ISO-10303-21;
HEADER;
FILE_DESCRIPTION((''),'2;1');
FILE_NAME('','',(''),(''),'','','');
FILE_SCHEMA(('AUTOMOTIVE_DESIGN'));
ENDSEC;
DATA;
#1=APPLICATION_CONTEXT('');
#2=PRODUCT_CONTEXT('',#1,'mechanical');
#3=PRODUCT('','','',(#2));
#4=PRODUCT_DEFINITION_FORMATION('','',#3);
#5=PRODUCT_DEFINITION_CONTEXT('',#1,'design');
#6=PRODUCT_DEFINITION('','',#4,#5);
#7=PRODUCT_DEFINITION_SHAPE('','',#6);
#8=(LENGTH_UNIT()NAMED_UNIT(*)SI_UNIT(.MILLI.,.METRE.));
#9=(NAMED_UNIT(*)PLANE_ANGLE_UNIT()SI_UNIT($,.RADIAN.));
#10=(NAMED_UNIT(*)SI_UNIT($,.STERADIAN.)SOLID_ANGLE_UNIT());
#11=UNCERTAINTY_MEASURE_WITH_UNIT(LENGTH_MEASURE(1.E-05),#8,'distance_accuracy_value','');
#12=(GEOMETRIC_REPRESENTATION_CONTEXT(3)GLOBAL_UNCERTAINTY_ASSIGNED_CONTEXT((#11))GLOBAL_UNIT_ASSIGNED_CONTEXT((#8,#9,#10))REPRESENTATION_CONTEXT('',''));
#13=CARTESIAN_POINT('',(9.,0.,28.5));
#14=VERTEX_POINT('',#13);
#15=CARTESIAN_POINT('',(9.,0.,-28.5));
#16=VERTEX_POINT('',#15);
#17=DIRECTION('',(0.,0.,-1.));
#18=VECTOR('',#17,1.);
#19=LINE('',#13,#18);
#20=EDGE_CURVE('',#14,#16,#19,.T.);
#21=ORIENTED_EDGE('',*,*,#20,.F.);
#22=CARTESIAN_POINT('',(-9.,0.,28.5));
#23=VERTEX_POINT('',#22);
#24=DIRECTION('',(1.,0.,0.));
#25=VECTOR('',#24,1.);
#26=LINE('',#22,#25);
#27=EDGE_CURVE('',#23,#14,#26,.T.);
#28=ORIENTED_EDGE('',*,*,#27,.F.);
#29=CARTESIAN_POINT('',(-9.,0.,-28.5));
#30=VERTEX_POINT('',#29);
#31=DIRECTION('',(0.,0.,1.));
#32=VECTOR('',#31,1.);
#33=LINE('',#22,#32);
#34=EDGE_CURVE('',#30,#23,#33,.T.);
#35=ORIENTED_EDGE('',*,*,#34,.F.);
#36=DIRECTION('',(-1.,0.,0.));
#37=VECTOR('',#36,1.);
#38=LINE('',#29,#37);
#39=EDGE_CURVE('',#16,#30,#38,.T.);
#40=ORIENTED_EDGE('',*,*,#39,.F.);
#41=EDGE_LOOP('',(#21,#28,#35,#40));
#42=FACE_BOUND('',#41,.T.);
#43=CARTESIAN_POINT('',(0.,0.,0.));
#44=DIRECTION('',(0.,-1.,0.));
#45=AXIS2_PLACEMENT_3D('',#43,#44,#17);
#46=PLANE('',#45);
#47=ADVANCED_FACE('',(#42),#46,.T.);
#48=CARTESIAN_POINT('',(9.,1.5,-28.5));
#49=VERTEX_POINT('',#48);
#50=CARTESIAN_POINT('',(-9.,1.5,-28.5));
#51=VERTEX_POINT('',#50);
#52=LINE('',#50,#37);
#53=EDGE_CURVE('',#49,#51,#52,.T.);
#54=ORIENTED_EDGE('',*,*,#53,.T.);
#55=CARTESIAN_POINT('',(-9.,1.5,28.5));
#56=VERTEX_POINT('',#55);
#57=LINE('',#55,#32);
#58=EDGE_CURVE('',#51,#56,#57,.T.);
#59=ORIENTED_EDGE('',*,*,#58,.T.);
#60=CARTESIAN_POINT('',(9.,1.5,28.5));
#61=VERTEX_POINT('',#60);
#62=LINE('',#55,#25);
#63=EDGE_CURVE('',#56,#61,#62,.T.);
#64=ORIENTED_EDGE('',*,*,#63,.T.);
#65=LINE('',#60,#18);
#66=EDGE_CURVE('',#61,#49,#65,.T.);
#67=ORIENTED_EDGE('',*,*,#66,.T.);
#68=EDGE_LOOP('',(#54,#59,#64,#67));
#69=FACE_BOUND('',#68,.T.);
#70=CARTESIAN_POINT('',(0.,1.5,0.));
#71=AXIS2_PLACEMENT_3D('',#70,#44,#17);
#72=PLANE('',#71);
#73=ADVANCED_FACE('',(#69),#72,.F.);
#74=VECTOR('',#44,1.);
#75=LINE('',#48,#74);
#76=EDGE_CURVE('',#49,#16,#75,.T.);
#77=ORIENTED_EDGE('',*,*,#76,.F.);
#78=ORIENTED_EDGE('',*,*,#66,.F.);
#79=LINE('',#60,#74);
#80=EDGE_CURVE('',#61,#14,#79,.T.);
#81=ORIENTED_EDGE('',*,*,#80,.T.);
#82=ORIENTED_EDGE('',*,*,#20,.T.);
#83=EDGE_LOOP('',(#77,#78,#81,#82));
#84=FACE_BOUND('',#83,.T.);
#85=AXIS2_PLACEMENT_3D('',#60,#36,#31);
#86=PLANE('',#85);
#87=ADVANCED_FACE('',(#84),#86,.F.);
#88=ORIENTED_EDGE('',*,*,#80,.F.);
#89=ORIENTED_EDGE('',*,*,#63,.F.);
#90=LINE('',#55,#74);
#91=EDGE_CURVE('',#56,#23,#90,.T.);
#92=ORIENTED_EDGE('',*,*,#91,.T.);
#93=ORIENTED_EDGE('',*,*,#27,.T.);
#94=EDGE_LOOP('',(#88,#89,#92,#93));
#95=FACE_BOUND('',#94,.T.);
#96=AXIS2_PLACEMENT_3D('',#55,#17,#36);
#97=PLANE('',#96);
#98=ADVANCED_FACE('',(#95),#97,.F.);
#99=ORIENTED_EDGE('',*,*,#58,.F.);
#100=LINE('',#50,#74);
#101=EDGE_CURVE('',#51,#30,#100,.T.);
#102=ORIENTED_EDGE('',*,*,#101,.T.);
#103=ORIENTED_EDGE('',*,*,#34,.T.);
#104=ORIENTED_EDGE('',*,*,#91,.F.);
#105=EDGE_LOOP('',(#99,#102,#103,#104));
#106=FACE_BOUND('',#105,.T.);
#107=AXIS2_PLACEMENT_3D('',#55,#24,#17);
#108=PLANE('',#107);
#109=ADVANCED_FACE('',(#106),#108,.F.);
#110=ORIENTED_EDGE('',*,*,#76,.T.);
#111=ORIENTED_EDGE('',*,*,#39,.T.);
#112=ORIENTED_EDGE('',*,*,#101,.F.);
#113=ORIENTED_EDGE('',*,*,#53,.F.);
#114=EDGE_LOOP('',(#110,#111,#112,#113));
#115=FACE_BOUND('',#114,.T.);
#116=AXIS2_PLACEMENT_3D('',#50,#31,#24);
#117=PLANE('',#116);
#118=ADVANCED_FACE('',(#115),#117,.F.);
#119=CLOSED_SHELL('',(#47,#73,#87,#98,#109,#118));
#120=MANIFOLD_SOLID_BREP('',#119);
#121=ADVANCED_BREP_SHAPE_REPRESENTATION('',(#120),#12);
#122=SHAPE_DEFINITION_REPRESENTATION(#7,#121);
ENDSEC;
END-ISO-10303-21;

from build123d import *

# Parameters (mm, degrees)
SKETCH_1_W      = 18
SKETCH_1_H      = 57
EXTRUDE_1_DEPTH = 1.5


with BuildPart() as part:
    # 草图1 → 凸台-拉伸1 (new body)
    with BuildSketch(Plane(origin=(0, 0, 0), x_dir=(1, 0, 0), z_dir=(0, 1, 0))):
        Rectangle(SKETCH_1_W, SKETCH_1_H)
    extrude(amount=EXTRUDE_1_DEPTH)


solid = part.part
